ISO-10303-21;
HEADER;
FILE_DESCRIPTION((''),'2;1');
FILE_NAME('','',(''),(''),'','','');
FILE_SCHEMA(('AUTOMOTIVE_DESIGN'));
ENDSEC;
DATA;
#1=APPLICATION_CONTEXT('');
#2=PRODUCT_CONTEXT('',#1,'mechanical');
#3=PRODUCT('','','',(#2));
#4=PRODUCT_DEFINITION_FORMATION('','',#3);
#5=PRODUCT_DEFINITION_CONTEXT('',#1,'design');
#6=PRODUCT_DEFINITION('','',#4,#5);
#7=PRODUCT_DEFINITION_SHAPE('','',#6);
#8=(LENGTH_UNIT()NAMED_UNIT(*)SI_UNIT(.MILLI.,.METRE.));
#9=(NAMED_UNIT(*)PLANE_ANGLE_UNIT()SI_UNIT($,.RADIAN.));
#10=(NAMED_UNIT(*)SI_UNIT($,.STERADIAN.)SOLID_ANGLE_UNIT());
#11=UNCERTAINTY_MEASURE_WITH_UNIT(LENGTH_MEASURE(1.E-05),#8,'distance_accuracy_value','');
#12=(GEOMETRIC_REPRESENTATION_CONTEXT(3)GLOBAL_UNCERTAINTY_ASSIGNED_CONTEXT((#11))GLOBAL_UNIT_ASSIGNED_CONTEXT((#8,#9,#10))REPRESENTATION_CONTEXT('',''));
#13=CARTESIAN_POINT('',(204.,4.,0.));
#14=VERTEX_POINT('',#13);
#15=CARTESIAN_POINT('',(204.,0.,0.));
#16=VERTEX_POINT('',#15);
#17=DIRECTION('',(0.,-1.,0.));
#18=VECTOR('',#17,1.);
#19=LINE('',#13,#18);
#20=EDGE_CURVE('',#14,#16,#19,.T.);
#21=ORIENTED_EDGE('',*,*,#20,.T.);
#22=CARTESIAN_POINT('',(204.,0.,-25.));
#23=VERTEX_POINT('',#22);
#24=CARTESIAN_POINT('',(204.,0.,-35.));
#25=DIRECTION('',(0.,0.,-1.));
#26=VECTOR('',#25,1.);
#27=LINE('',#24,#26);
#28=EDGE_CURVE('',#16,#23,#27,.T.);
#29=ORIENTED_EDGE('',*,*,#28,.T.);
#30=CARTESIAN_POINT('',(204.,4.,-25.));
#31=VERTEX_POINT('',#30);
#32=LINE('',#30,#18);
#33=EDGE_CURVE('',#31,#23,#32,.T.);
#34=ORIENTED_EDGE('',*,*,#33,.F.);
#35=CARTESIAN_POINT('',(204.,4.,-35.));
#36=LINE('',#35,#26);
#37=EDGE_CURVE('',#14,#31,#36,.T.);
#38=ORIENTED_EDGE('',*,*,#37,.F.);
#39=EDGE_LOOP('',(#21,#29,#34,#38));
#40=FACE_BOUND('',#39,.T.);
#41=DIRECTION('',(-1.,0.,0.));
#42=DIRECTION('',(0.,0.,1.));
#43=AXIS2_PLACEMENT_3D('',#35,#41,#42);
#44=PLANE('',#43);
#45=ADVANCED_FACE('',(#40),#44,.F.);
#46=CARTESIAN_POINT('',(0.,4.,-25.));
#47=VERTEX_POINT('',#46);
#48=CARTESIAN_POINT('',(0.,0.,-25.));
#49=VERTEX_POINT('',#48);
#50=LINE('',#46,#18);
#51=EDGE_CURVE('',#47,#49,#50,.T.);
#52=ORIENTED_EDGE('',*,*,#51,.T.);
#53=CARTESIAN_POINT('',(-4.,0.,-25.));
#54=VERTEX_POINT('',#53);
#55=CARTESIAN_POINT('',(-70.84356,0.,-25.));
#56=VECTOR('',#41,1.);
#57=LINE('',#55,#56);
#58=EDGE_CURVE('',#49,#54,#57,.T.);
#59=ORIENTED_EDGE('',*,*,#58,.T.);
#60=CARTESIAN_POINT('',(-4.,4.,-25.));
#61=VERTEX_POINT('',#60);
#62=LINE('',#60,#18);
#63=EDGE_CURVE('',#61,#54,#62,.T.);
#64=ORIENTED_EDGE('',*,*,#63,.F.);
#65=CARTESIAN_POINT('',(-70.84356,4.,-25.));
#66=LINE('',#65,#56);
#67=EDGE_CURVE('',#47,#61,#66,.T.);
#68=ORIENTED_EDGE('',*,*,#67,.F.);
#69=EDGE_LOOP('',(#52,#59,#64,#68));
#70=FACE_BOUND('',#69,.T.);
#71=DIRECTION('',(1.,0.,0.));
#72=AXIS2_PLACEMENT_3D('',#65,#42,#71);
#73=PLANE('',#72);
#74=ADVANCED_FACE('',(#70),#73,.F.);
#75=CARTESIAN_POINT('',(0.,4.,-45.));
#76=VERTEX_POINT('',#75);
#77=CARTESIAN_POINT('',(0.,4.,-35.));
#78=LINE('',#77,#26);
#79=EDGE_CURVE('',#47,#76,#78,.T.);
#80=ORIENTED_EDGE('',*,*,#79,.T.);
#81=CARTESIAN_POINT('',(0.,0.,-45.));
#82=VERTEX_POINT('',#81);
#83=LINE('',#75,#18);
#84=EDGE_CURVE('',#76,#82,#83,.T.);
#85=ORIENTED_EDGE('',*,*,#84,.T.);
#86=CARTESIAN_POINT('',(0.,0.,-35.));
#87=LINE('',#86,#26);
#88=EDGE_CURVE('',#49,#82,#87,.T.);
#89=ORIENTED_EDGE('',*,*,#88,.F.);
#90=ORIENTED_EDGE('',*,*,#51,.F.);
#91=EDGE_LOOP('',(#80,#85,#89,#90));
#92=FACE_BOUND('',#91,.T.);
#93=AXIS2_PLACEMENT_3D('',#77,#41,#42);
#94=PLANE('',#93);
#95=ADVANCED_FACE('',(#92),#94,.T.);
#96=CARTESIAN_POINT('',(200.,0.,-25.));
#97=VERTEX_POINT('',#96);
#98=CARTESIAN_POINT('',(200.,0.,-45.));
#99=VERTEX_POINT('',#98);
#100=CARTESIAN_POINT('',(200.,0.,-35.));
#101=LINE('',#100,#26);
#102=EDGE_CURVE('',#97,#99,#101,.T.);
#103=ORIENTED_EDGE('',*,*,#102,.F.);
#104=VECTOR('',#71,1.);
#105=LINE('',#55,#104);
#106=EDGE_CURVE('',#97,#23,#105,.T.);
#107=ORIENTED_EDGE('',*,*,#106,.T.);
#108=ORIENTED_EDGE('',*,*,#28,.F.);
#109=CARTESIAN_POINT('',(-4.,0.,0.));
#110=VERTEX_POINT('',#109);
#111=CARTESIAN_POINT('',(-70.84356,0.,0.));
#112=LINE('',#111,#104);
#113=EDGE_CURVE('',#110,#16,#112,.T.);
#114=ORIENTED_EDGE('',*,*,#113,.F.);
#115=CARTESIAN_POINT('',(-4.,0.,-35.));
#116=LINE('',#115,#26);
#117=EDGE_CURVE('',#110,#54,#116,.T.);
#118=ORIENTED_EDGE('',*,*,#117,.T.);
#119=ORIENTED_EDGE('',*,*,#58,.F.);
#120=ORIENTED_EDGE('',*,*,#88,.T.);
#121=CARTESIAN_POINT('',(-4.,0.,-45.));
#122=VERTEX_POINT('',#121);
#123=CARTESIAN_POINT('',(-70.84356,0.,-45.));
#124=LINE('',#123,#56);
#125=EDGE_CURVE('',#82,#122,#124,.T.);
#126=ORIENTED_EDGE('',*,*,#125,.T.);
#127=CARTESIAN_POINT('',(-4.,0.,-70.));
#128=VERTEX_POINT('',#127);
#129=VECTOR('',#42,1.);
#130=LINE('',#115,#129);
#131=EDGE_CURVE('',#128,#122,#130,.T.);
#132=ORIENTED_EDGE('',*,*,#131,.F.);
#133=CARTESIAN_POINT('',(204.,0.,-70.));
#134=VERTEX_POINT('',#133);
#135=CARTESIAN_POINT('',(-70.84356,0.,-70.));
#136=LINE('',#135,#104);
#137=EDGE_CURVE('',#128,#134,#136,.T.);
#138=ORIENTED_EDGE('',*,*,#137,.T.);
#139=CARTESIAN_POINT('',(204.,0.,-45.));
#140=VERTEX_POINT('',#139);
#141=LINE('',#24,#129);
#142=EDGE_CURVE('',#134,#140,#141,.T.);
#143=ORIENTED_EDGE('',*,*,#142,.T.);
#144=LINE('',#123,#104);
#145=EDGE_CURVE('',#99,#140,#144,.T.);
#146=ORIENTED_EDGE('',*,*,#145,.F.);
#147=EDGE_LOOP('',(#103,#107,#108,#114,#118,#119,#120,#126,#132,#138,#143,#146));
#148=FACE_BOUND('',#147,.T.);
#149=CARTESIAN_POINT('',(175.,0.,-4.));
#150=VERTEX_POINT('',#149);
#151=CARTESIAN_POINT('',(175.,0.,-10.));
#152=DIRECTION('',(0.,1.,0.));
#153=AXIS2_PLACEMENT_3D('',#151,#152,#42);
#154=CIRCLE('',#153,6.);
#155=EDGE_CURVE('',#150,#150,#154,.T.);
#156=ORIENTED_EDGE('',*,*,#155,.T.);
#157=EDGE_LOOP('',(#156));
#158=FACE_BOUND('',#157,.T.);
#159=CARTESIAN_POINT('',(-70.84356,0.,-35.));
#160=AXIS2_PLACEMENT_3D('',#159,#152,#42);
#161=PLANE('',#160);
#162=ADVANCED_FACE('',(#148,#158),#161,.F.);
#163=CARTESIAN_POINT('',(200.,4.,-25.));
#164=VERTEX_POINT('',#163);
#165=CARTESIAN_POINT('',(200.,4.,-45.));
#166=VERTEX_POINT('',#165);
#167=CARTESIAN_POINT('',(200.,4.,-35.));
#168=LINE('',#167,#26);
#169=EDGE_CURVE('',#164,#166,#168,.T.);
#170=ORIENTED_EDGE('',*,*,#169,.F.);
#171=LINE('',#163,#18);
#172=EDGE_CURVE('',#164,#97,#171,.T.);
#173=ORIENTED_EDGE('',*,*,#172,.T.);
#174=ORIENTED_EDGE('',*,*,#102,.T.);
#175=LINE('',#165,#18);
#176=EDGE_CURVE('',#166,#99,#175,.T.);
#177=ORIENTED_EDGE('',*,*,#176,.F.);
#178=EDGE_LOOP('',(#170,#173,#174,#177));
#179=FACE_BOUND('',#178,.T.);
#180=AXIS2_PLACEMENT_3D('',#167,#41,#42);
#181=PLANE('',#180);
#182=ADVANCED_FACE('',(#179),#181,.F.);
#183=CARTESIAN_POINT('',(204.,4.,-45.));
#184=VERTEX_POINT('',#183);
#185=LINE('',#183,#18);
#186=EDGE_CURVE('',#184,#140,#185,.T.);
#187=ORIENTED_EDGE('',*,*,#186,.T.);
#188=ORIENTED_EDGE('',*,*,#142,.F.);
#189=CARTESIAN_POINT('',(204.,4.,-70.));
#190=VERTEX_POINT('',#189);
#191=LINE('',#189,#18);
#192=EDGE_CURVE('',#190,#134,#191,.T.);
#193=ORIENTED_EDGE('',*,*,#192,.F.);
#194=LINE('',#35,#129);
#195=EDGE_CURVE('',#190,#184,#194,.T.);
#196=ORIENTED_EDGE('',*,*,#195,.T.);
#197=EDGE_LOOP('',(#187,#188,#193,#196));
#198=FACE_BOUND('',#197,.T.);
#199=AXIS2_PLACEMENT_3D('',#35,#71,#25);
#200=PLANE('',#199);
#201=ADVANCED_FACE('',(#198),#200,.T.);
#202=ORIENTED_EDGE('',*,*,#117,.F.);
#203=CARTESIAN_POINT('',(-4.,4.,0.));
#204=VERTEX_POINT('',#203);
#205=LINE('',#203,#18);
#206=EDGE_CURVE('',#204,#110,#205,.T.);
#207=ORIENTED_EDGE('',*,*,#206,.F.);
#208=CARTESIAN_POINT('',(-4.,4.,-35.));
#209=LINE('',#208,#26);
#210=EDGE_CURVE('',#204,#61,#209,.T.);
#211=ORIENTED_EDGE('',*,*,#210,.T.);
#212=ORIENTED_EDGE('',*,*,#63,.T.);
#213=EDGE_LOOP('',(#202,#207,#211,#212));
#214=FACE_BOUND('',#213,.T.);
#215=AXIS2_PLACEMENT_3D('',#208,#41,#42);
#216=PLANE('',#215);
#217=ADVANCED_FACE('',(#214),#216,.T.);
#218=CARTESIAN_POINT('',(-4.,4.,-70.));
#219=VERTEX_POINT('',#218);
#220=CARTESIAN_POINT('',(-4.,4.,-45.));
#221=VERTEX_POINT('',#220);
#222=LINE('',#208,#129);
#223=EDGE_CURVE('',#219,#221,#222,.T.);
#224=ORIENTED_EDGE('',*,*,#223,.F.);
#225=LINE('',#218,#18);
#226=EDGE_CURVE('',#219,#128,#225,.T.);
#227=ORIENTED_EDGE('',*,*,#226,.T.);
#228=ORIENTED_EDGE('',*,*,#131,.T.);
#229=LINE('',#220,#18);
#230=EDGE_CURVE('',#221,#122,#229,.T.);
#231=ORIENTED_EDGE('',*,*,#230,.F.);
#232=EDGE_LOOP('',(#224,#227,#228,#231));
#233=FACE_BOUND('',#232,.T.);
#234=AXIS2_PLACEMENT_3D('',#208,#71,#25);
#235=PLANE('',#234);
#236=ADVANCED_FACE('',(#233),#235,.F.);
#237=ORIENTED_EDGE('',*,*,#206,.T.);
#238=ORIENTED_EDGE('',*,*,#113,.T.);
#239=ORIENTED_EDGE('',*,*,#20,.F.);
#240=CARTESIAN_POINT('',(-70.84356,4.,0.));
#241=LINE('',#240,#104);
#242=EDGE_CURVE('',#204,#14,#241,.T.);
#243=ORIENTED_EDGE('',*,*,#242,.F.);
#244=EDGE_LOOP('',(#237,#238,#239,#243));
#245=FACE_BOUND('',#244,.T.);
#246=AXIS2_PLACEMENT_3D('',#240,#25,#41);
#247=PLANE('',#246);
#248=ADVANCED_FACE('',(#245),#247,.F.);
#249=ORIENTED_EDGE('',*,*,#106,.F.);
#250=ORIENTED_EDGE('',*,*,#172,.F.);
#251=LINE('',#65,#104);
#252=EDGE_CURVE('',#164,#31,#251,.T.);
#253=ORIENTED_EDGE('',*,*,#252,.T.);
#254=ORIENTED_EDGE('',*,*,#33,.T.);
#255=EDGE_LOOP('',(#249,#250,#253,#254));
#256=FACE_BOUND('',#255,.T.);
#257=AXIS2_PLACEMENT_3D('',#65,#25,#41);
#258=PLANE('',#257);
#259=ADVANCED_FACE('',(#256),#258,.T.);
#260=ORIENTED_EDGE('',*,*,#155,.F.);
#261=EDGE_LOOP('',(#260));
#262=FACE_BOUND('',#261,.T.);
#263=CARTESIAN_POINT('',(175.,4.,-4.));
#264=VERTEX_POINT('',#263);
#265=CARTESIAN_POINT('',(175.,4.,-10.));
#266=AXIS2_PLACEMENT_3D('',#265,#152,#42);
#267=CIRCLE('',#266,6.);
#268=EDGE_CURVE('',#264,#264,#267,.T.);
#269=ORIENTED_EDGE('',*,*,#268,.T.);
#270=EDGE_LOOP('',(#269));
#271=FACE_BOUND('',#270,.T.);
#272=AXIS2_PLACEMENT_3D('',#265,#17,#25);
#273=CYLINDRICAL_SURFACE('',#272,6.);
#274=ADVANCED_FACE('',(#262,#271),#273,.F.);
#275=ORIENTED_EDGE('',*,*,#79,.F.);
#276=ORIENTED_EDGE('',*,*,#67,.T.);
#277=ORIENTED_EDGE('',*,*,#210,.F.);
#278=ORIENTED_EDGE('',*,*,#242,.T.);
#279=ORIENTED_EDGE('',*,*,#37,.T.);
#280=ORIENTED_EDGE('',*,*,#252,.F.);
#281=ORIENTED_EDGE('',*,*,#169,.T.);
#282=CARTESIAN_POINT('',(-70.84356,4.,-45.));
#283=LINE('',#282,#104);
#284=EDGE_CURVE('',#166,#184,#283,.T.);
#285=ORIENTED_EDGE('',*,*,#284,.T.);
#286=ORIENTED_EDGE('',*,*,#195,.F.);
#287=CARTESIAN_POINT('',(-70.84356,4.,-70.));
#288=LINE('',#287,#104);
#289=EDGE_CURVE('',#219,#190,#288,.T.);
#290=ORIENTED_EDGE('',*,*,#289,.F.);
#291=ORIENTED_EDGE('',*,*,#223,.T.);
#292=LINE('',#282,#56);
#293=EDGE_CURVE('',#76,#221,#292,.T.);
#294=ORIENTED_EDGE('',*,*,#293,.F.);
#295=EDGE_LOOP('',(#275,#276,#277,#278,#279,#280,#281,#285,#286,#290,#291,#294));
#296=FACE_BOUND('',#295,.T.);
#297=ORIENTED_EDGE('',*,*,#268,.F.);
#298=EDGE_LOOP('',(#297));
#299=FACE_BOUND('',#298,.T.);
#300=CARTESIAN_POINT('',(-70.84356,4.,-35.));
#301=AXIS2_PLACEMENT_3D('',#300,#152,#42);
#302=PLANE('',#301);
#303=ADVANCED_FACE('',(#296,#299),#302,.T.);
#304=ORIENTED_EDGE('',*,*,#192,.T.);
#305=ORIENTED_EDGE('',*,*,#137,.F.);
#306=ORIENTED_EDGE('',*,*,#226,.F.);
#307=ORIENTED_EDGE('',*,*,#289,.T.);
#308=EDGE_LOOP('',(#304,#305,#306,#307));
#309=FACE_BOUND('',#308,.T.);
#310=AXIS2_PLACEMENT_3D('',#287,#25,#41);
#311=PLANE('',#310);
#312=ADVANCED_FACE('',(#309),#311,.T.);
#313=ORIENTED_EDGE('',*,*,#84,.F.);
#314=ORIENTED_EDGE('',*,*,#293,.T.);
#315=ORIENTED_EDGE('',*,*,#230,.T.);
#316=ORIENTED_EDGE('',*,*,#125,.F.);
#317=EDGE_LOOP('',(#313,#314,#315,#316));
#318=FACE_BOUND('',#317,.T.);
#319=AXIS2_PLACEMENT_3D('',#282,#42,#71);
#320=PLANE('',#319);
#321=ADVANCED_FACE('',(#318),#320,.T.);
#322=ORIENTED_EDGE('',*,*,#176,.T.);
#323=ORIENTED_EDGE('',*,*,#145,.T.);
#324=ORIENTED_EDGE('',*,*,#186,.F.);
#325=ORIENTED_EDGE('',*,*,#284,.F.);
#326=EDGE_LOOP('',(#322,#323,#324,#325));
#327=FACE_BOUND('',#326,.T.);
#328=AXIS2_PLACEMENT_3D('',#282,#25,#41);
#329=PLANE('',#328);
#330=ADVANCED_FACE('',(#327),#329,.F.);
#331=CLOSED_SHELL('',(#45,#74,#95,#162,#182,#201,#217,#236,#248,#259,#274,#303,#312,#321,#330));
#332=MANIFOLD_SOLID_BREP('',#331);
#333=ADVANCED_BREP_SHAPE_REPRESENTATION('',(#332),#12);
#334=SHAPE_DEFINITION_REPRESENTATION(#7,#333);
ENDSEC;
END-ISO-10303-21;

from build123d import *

# Parameters (mm, degrees)
SKETCH1_R           = 6
SKETCH1_W           = 4
SKETCH1_H           = 25
BOSS_EXTRUDE1_DEPTH = 4


with BuildPart() as part:
    # Sketch1 → Boss-Extrude1 (new body)
    # profile 1 of 5: a face of its own
    with BuildSketch(Plane(origin=(0, 0, 0), x_dir=(1, 0, 0), z_dir=(0, 1, 0))):
        Polygon((0, 25), (0, 0), (200, 0), (200, 25), (200, 45), (200, 70), (0, 70), (0, 45), align=None)
        with Locations(Location((175, 10, 0), (0, 0, 270))):
            Circle(SKETCH1_R, mode=Mode.SUBTRACT)
    # profile 2 of 5: a face of its own
    with BuildSketch(Plane(origin=(0, 0, 0), x_dir=(1, 0, 0), z_dir=(0, 1, 0))):
        with Locations((-2, 12.5)):
            Rectangle(SKETCH1_W, SKETCH1_H)
    # profile 3 of 5: a face of its own
    with BuildSketch(Plane(origin=(0, 0, 0), x_dir=(1, 0, 0), z_dir=(0, 1, 0))):
        with Locations((202, 12.5)):
            Rectangle(SKETCH1_W, SKETCH1_H)
    # profile 4 of 5: a face of its own
    with BuildSketch(Plane(origin=(0, 0, 0), x_dir=(1, 0, 0), z_dir=(0, 1, 0))):
        with Locations((-2, 57.5)):
            Rectangle(SKETCH1_W, SKETCH1_H)
    # profile 5 of 5: a face of its own
    with BuildSketch(Plane(origin=(0, 0, 0), x_dir=(1, 0, 0), z_dir=(0, 1, 0))):
        with Locations((202, 57.5)):
            Rectangle(SKETCH1_W, SKETCH1_H)
    extrude(amount=BOSS_EXTRUDE1_DEPTH)


solid = part.part
